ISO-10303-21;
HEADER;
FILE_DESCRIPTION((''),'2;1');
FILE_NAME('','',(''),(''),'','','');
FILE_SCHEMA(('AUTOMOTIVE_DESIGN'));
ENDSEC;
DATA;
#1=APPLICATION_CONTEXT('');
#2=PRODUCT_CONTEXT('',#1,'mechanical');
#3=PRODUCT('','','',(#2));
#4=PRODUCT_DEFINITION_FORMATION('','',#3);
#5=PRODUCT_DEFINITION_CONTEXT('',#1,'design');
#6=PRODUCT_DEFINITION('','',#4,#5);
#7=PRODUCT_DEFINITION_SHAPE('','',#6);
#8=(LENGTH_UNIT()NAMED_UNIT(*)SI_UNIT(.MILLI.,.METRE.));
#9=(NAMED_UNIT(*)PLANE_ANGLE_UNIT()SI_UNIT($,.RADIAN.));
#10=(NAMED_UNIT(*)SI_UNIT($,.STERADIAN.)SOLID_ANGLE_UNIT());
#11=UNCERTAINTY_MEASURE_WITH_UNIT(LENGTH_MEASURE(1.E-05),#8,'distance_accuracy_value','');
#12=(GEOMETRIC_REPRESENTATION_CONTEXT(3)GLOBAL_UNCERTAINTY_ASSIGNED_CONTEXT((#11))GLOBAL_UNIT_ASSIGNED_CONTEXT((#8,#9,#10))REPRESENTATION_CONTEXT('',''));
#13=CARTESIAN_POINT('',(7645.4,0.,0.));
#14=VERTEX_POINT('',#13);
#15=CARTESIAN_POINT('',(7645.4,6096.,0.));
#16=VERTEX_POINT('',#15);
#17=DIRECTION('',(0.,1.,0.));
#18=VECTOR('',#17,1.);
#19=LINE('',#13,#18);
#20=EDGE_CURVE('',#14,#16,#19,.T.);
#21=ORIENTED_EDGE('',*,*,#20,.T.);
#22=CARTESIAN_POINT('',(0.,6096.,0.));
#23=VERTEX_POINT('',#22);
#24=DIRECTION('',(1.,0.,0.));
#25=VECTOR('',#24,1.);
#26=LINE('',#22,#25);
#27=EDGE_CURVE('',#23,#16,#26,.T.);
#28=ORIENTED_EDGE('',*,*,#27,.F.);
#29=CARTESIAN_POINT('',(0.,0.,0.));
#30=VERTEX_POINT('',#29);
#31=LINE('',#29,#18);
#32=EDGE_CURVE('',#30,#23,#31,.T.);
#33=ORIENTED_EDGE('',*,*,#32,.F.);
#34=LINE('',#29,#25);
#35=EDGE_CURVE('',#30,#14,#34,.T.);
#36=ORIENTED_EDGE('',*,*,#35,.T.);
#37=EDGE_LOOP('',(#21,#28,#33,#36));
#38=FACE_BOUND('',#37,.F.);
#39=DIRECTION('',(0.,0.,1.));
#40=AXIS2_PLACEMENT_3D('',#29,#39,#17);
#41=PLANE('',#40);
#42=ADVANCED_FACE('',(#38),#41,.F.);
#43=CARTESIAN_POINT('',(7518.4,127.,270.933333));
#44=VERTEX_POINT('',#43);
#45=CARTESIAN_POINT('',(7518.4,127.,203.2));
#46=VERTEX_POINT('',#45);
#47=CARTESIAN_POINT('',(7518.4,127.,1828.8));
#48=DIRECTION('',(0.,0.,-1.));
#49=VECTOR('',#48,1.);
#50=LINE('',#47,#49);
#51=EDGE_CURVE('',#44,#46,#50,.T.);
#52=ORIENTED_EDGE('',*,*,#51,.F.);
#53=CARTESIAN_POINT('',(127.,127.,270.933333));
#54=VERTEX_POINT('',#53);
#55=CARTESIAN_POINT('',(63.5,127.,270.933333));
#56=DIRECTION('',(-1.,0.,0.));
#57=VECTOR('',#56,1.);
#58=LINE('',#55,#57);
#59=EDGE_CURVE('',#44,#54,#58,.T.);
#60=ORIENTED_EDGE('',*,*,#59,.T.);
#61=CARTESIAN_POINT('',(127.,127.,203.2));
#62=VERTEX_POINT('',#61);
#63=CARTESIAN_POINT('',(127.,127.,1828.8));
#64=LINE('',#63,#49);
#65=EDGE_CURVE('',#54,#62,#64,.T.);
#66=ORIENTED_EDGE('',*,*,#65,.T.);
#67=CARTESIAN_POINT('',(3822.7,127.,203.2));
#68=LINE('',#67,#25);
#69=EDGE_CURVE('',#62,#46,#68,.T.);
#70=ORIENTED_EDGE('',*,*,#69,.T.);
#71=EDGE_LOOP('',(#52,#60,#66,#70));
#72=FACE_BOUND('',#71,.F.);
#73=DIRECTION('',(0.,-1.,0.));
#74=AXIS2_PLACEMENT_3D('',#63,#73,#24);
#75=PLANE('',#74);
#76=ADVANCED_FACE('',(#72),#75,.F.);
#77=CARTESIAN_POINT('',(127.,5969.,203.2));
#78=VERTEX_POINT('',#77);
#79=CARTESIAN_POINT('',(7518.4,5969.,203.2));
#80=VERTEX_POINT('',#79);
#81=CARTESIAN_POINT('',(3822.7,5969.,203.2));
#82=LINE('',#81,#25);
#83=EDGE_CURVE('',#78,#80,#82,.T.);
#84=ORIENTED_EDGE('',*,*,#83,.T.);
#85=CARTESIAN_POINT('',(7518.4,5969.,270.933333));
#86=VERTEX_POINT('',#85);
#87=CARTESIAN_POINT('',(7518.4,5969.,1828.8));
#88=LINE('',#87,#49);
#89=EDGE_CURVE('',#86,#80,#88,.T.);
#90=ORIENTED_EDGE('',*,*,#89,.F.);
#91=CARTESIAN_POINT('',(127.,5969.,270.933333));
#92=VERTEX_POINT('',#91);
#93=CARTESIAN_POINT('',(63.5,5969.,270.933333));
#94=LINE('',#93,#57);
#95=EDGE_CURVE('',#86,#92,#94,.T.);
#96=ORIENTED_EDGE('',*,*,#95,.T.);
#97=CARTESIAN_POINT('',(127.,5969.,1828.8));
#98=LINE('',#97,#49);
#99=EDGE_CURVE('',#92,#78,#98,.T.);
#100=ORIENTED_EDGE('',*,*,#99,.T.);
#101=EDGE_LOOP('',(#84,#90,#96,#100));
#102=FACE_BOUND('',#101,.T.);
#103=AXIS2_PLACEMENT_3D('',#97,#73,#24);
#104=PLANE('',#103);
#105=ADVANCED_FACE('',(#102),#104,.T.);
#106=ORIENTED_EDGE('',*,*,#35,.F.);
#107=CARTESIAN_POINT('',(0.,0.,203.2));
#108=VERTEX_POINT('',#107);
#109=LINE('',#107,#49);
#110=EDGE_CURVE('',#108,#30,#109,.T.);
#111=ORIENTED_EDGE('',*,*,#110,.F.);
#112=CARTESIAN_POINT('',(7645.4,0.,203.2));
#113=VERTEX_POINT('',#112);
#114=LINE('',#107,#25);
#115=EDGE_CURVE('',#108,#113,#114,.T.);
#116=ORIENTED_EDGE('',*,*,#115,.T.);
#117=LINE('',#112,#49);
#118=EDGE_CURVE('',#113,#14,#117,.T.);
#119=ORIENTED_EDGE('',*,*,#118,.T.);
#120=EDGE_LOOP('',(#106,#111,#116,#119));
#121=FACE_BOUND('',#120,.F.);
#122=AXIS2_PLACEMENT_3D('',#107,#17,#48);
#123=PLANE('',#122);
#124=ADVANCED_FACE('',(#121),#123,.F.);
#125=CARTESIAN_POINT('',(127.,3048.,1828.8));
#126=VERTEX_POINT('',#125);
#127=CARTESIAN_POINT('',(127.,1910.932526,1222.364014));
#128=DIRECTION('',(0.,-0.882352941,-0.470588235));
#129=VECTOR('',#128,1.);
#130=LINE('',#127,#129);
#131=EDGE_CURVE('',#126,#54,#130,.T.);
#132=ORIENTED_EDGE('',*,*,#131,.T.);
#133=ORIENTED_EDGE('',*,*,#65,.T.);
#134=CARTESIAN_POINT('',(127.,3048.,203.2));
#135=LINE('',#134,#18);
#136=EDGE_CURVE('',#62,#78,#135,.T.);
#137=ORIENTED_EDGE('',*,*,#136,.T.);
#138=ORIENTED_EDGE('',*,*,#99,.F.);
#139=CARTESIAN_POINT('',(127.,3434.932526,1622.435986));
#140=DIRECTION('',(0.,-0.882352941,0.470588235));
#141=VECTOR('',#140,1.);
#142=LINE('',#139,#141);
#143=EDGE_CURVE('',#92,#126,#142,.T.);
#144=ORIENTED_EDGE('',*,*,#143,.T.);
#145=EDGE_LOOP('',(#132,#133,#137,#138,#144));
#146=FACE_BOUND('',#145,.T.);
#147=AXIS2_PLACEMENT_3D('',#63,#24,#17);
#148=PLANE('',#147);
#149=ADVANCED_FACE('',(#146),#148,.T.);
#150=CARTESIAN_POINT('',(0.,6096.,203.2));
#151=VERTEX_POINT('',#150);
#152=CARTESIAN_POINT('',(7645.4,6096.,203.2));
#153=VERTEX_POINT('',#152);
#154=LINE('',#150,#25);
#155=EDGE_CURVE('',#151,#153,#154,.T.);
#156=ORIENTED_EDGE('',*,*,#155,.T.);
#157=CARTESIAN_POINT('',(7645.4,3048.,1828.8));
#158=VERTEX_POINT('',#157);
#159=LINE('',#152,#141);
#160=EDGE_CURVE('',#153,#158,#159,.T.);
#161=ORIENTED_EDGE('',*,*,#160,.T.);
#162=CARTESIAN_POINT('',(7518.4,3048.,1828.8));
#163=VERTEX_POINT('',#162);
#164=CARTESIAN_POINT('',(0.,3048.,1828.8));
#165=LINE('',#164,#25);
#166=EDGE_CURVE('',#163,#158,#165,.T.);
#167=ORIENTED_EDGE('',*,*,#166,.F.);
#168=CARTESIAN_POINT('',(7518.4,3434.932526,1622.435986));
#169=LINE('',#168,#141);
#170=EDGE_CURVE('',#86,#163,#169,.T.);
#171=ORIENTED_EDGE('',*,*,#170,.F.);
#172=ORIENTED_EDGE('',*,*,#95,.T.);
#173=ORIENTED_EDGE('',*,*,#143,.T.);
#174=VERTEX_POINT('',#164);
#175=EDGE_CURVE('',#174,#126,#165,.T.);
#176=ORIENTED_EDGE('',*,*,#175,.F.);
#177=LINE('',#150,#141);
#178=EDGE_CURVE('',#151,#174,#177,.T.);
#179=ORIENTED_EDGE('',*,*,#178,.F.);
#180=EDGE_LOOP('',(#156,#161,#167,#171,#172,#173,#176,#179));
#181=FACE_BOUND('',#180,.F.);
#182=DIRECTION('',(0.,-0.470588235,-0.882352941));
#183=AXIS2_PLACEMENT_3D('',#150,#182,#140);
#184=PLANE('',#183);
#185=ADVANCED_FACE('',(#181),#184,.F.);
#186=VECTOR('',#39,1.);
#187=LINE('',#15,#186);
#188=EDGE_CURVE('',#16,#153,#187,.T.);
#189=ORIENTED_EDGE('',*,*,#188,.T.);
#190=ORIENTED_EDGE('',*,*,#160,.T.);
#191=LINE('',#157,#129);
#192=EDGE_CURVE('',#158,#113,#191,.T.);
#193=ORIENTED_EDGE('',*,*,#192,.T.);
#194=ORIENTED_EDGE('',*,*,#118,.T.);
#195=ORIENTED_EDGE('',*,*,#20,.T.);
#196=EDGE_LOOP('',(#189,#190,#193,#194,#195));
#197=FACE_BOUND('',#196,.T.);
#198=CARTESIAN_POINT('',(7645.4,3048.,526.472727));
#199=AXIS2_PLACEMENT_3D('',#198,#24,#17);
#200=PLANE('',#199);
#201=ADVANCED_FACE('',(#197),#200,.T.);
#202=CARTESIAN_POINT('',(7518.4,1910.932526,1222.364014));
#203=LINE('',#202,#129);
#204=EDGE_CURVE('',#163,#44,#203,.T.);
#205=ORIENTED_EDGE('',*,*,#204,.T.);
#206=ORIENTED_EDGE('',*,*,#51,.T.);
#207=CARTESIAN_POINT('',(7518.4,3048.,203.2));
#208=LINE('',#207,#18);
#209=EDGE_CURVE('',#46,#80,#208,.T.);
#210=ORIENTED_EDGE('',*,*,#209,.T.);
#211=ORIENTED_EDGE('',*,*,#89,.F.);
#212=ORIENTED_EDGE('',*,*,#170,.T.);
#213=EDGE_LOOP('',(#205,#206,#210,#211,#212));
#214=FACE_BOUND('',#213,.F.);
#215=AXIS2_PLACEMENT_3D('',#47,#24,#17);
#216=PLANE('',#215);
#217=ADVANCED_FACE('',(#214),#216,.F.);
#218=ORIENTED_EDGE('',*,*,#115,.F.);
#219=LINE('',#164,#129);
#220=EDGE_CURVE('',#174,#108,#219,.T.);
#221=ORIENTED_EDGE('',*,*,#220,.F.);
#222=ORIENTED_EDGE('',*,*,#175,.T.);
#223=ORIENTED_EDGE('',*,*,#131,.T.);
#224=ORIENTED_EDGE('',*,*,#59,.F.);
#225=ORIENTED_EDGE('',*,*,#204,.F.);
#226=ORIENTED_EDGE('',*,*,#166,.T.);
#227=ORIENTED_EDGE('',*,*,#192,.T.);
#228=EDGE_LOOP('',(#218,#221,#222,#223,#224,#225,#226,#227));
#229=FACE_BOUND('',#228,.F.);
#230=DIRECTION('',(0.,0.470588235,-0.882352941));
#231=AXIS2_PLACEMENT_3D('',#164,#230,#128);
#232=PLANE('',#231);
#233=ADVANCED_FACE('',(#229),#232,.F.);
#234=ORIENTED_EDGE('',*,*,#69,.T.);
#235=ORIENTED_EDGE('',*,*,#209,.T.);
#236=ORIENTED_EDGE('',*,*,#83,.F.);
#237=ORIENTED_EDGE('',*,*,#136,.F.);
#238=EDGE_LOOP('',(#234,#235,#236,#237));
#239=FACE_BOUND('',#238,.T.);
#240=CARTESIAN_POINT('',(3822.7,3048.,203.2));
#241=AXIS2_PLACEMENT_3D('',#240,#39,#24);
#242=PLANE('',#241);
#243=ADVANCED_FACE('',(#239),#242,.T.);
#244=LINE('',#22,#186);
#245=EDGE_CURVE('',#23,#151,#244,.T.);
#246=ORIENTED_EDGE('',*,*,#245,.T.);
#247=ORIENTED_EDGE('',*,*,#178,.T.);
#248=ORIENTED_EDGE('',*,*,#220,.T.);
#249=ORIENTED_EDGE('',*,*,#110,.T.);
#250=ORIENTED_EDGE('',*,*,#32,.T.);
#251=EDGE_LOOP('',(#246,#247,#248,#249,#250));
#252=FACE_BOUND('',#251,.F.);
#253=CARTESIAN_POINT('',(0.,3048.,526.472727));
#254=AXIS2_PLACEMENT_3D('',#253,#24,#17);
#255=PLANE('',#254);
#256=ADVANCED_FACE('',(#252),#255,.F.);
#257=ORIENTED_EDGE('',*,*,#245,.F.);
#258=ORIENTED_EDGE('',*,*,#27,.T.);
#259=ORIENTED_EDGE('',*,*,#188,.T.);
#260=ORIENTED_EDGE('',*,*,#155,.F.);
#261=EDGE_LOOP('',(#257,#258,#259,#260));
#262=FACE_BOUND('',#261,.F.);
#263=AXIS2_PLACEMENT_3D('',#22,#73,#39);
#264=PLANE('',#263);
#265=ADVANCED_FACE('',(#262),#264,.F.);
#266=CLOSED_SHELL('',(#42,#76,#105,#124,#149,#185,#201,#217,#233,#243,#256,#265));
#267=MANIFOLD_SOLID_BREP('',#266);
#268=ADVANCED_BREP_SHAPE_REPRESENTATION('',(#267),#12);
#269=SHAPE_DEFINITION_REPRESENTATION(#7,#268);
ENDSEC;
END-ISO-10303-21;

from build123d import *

# Parameters (mm, degrees)
F2_DEPTH = 7645.4
F3_W     = 7391.4
F3_H     = 5842
F4_DEPTH = 1625.6


with BuildPart() as f2:
    # F1 (on Right) → F2 (new body)
    with BuildSketch(Plane.YZ):
        Polygon((0, 203.2), (0, 0), (6096, 0), (6096, 203.2), (3048, 1828.8), align=None)
    extrude(amount=F2_DEPTH)

    # F3 (on offset) → F4 (cut)
    with BuildSketch(Plane.XY.offset(1828.8)):
        with Locations((3822.7, 3048)):
            Rectangle(F3_W, F3_H)
    extrude(amount=-F4_DEPTH, mode=Mode.SUBTRACT)


solid = f2.part
